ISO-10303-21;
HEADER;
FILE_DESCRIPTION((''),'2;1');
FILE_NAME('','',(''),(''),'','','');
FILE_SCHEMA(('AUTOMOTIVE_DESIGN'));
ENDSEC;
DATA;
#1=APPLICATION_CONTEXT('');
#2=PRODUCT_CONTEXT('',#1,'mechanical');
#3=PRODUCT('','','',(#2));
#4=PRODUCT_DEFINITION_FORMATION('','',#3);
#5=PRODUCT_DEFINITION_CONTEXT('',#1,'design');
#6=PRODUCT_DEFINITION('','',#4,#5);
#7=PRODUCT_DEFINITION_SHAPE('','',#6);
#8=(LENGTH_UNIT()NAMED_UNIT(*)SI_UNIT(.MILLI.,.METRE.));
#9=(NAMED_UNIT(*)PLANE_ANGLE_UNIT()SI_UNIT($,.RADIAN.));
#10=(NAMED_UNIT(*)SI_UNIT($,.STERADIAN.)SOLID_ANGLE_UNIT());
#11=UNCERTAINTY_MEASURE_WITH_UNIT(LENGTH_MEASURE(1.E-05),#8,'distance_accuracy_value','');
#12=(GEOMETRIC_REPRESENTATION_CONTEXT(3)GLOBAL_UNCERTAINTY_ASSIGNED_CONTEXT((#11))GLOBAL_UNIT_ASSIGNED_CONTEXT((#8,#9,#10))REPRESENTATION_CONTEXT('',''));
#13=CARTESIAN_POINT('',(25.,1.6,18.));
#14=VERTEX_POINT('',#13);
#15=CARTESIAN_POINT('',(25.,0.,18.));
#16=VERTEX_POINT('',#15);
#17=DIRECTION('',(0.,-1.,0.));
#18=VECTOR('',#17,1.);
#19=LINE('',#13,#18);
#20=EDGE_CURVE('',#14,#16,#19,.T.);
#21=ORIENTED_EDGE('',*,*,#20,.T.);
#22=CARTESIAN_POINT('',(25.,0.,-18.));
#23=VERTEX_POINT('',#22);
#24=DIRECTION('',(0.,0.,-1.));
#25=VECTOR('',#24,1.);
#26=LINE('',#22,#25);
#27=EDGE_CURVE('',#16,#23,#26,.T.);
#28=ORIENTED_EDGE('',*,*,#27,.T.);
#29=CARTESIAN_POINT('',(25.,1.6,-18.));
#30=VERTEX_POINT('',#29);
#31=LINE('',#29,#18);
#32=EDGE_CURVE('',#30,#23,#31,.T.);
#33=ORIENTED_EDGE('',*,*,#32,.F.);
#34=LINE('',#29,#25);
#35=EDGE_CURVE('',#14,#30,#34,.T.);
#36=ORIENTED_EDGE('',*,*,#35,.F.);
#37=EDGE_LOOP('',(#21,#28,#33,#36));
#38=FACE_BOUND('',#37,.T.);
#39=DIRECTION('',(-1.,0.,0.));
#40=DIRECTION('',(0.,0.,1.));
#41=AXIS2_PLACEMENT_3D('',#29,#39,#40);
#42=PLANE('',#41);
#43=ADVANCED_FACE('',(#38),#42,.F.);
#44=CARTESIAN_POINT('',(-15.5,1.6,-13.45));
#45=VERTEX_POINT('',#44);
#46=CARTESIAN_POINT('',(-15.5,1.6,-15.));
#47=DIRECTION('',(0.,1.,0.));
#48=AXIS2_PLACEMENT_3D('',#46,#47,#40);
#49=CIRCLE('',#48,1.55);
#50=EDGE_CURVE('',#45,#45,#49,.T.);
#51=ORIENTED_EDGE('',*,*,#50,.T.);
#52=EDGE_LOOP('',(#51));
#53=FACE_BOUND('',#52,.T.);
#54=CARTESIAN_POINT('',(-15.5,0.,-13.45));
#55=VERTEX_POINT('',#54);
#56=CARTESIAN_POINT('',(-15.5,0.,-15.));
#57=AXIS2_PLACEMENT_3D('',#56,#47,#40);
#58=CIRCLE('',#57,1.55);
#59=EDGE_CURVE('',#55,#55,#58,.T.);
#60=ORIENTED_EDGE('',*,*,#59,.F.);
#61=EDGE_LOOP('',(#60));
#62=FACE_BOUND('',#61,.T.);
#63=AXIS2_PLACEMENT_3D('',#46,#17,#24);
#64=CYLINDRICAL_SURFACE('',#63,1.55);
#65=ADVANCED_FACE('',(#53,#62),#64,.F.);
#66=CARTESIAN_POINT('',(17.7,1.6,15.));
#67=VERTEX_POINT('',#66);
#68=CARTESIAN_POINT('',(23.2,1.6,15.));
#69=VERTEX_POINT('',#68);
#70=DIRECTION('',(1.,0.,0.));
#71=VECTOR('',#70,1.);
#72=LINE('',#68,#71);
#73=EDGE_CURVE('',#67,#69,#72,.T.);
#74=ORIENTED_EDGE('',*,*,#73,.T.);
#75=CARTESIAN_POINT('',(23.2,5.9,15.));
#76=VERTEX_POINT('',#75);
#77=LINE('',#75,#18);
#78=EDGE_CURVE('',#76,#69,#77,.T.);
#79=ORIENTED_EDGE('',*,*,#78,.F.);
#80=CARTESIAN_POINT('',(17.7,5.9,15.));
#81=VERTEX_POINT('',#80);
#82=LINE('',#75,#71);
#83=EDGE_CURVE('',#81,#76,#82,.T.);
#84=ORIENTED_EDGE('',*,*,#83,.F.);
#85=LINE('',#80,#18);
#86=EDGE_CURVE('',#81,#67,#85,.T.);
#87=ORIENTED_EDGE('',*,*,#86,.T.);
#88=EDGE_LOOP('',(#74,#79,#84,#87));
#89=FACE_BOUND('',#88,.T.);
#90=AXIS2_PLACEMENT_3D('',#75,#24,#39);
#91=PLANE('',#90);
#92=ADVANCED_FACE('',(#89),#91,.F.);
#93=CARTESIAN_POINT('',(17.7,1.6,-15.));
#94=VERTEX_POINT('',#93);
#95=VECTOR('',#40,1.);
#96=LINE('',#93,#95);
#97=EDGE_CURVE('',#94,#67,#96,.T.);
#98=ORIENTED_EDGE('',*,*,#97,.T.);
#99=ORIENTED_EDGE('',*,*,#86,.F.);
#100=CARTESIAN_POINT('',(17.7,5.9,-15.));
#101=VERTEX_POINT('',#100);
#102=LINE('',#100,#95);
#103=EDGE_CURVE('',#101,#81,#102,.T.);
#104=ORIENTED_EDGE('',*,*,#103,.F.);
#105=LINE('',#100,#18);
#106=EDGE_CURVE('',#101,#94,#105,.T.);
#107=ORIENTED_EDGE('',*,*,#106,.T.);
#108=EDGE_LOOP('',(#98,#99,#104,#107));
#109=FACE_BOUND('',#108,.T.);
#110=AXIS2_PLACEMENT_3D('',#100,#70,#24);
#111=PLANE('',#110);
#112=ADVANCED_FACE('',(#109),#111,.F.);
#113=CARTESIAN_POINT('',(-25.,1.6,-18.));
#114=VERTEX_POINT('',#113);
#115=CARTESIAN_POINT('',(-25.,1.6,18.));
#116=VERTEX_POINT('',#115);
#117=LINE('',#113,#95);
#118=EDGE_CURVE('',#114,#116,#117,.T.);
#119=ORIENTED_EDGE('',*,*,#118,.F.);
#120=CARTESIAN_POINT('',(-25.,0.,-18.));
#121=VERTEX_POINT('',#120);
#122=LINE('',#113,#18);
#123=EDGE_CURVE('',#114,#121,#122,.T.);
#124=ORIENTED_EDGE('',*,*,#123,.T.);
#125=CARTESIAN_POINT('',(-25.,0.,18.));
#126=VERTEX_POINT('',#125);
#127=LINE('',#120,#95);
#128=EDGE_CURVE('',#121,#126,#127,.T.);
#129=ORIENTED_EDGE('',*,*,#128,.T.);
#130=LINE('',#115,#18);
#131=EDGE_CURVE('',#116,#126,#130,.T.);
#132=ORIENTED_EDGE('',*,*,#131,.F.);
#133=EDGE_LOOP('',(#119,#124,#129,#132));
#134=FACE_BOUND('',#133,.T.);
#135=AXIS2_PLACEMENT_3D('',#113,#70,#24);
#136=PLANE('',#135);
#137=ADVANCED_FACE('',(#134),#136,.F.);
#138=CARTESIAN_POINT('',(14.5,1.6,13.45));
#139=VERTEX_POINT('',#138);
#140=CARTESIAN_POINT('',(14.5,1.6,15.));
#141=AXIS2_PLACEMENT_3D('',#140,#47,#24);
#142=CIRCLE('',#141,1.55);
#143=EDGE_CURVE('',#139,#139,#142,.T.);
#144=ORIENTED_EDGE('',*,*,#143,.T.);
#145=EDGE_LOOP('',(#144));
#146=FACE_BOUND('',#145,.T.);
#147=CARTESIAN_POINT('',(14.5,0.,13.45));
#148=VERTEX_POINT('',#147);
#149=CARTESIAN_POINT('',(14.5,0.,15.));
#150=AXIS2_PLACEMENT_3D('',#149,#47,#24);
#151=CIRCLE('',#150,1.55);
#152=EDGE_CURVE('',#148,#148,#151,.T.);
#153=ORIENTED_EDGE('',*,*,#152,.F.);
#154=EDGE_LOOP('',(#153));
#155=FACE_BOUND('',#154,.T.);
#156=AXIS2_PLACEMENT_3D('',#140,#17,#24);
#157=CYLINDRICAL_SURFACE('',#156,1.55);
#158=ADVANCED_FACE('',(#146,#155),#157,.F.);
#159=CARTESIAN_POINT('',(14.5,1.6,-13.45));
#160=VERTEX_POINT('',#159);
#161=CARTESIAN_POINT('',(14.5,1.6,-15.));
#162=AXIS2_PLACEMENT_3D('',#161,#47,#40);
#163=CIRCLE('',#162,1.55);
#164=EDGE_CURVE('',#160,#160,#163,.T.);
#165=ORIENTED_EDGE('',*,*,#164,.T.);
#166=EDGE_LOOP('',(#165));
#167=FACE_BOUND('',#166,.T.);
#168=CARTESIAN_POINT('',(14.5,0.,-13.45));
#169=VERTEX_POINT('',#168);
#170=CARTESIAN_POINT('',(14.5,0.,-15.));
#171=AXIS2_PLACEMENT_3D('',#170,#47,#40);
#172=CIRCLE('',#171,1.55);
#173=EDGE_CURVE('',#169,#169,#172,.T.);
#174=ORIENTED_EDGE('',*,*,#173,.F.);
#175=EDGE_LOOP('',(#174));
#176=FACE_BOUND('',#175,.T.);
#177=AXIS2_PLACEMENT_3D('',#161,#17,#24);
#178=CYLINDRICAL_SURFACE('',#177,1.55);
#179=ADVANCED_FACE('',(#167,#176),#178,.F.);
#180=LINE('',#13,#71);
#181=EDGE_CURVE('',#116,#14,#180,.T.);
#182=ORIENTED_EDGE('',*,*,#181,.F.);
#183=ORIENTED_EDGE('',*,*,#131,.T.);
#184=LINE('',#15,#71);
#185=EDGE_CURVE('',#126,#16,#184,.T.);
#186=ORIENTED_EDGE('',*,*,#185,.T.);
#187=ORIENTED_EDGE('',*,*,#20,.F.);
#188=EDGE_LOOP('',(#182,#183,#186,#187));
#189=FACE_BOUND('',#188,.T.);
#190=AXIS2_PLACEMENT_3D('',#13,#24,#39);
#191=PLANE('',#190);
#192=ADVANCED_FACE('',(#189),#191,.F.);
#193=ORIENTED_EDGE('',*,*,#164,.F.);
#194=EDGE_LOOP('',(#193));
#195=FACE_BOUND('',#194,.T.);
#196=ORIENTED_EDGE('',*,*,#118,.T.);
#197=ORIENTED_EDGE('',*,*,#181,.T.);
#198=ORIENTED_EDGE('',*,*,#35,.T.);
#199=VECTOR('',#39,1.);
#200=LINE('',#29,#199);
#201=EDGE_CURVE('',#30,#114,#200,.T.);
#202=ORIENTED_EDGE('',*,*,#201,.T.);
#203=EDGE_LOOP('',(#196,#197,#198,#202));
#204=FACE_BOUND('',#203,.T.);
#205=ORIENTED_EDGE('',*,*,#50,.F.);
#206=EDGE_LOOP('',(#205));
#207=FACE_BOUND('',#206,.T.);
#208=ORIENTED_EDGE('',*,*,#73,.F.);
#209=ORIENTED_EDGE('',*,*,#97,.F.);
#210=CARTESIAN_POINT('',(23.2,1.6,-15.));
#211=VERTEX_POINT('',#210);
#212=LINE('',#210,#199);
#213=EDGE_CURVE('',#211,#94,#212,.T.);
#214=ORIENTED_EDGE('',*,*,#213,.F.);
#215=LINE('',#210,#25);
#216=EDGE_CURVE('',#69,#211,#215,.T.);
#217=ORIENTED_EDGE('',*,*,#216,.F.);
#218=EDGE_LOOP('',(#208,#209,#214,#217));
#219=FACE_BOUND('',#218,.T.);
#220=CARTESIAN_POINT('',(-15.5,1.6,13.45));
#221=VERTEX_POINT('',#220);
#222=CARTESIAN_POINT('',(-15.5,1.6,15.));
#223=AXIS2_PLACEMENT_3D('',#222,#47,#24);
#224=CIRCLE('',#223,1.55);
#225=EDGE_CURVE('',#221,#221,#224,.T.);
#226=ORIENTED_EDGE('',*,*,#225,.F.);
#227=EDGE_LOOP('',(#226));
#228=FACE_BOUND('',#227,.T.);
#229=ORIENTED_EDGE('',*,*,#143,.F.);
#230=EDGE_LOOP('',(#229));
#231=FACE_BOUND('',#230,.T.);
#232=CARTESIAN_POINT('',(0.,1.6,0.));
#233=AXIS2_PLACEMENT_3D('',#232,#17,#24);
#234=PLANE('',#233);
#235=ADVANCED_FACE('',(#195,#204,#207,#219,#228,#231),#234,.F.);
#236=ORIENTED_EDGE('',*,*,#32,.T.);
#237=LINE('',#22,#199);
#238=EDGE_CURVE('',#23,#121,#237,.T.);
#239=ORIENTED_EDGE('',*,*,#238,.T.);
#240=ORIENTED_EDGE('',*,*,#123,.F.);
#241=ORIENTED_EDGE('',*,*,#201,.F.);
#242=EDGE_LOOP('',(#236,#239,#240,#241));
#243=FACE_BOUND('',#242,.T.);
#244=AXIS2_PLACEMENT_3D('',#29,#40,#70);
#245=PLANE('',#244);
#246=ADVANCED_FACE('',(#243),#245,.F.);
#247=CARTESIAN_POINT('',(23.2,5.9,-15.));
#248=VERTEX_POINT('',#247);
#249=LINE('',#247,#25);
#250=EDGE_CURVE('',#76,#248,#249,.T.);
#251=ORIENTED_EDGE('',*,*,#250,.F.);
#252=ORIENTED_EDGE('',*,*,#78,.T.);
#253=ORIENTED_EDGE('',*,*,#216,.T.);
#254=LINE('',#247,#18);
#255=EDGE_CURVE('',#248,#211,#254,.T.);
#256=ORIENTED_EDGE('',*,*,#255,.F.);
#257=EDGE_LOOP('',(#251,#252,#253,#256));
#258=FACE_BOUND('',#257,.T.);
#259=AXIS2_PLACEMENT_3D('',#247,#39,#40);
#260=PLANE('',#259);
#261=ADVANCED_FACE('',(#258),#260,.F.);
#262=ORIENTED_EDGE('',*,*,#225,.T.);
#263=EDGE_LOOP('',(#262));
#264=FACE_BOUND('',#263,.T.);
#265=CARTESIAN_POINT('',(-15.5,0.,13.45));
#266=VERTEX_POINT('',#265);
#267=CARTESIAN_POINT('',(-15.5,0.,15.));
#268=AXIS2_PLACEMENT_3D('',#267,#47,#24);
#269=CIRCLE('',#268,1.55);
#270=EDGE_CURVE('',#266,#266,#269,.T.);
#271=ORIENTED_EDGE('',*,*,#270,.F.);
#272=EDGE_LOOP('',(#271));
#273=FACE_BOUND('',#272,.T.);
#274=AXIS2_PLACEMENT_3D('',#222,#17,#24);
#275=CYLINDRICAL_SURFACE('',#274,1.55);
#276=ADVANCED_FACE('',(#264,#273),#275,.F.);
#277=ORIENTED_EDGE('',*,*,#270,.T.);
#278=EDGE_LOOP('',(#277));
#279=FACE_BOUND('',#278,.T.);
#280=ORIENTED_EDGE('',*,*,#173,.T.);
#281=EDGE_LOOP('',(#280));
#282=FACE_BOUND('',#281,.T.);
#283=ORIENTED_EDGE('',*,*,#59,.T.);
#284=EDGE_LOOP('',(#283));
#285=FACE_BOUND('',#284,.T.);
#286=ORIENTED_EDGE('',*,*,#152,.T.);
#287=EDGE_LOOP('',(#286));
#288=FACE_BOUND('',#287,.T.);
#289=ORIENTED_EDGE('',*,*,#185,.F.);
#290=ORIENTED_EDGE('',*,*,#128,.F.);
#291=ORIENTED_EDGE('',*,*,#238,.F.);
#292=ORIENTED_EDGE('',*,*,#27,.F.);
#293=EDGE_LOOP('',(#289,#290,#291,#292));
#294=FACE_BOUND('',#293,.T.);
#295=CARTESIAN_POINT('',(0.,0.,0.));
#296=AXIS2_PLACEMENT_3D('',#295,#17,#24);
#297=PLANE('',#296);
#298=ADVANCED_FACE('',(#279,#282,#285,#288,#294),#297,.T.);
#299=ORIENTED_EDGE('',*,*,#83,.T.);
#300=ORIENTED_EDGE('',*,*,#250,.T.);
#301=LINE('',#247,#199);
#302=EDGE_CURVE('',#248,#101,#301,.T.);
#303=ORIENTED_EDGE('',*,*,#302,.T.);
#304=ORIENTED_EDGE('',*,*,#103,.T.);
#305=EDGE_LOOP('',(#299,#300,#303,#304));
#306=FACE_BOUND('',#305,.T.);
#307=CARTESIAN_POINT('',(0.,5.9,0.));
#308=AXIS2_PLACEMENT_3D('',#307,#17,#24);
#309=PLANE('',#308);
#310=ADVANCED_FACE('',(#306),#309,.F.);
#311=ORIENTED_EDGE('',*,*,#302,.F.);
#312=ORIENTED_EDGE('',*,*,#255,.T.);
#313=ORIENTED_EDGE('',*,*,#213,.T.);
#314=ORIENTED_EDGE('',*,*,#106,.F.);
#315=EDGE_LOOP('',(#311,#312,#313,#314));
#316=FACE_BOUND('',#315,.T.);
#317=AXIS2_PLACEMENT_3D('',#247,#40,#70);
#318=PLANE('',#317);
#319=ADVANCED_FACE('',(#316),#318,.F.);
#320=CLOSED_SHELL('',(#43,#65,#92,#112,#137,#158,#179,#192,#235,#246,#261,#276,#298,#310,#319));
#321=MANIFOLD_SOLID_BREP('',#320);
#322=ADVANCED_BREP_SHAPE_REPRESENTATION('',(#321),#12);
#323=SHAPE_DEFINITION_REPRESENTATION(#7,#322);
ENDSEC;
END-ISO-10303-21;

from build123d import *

# Parameters (mm, degrees)
SKETCH1_W           = 50
SKETCH1_H           = 36
SKETCH1_R           = 1.55
BOSS_EXTRUDE1_DEPTH = 1.6
SKETCH2_W           = 5.5
SKETCH2_H           = 30
BOSS_EXTRUDE2_DEPTH = 4.3


with BuildPart() as part:
    # Sketch1 → Boss-Extrude1 (new body)
    with BuildSketch(Plane(origin=(0, 0, 0), x_dir=(1, 0, 0), z_dir=(0, 1, 0))):
        Rectangle(SKETCH1_W, SKETCH1_H)
        with Locations(Location((-15.5, 15, 0), (0, 0, 270))):
            Circle(SKETCH1_R, mode=Mode.SUBTRACT)
        with Locations(Location((-15.5, -15, 0), (0, 0, 90))):
            Circle(SKETCH1_R, mode=Mode.SUBTRACT)
        with Locations(Location((14.5, 15, 0), (0, 0, 270))):
            Circle(SKETCH1_R, mode=Mode.SUBTRACT)
        with Locations(Location((14.5, -15, 0), (0, 0, 90))):
            Circle(SKETCH1_R, mode=Mode.SUBTRACT)
    extrude(amount=BOSS_EXTRUDE1_DEPTH)

    # Sketch2 → Boss-Extrude2 (add)
    with BuildSketch(Plane(origin=(0, 1.6, 0), x_dir=(1, 0, 0), z_dir=(0, 1, 0))):
        with Locations((20.45, 0)):
            Rectangle(SKETCH2_W, SKETCH2_H)
    extrude(amount=BOSS_EXTRUDE2_DEPTH)


solid = part.part
